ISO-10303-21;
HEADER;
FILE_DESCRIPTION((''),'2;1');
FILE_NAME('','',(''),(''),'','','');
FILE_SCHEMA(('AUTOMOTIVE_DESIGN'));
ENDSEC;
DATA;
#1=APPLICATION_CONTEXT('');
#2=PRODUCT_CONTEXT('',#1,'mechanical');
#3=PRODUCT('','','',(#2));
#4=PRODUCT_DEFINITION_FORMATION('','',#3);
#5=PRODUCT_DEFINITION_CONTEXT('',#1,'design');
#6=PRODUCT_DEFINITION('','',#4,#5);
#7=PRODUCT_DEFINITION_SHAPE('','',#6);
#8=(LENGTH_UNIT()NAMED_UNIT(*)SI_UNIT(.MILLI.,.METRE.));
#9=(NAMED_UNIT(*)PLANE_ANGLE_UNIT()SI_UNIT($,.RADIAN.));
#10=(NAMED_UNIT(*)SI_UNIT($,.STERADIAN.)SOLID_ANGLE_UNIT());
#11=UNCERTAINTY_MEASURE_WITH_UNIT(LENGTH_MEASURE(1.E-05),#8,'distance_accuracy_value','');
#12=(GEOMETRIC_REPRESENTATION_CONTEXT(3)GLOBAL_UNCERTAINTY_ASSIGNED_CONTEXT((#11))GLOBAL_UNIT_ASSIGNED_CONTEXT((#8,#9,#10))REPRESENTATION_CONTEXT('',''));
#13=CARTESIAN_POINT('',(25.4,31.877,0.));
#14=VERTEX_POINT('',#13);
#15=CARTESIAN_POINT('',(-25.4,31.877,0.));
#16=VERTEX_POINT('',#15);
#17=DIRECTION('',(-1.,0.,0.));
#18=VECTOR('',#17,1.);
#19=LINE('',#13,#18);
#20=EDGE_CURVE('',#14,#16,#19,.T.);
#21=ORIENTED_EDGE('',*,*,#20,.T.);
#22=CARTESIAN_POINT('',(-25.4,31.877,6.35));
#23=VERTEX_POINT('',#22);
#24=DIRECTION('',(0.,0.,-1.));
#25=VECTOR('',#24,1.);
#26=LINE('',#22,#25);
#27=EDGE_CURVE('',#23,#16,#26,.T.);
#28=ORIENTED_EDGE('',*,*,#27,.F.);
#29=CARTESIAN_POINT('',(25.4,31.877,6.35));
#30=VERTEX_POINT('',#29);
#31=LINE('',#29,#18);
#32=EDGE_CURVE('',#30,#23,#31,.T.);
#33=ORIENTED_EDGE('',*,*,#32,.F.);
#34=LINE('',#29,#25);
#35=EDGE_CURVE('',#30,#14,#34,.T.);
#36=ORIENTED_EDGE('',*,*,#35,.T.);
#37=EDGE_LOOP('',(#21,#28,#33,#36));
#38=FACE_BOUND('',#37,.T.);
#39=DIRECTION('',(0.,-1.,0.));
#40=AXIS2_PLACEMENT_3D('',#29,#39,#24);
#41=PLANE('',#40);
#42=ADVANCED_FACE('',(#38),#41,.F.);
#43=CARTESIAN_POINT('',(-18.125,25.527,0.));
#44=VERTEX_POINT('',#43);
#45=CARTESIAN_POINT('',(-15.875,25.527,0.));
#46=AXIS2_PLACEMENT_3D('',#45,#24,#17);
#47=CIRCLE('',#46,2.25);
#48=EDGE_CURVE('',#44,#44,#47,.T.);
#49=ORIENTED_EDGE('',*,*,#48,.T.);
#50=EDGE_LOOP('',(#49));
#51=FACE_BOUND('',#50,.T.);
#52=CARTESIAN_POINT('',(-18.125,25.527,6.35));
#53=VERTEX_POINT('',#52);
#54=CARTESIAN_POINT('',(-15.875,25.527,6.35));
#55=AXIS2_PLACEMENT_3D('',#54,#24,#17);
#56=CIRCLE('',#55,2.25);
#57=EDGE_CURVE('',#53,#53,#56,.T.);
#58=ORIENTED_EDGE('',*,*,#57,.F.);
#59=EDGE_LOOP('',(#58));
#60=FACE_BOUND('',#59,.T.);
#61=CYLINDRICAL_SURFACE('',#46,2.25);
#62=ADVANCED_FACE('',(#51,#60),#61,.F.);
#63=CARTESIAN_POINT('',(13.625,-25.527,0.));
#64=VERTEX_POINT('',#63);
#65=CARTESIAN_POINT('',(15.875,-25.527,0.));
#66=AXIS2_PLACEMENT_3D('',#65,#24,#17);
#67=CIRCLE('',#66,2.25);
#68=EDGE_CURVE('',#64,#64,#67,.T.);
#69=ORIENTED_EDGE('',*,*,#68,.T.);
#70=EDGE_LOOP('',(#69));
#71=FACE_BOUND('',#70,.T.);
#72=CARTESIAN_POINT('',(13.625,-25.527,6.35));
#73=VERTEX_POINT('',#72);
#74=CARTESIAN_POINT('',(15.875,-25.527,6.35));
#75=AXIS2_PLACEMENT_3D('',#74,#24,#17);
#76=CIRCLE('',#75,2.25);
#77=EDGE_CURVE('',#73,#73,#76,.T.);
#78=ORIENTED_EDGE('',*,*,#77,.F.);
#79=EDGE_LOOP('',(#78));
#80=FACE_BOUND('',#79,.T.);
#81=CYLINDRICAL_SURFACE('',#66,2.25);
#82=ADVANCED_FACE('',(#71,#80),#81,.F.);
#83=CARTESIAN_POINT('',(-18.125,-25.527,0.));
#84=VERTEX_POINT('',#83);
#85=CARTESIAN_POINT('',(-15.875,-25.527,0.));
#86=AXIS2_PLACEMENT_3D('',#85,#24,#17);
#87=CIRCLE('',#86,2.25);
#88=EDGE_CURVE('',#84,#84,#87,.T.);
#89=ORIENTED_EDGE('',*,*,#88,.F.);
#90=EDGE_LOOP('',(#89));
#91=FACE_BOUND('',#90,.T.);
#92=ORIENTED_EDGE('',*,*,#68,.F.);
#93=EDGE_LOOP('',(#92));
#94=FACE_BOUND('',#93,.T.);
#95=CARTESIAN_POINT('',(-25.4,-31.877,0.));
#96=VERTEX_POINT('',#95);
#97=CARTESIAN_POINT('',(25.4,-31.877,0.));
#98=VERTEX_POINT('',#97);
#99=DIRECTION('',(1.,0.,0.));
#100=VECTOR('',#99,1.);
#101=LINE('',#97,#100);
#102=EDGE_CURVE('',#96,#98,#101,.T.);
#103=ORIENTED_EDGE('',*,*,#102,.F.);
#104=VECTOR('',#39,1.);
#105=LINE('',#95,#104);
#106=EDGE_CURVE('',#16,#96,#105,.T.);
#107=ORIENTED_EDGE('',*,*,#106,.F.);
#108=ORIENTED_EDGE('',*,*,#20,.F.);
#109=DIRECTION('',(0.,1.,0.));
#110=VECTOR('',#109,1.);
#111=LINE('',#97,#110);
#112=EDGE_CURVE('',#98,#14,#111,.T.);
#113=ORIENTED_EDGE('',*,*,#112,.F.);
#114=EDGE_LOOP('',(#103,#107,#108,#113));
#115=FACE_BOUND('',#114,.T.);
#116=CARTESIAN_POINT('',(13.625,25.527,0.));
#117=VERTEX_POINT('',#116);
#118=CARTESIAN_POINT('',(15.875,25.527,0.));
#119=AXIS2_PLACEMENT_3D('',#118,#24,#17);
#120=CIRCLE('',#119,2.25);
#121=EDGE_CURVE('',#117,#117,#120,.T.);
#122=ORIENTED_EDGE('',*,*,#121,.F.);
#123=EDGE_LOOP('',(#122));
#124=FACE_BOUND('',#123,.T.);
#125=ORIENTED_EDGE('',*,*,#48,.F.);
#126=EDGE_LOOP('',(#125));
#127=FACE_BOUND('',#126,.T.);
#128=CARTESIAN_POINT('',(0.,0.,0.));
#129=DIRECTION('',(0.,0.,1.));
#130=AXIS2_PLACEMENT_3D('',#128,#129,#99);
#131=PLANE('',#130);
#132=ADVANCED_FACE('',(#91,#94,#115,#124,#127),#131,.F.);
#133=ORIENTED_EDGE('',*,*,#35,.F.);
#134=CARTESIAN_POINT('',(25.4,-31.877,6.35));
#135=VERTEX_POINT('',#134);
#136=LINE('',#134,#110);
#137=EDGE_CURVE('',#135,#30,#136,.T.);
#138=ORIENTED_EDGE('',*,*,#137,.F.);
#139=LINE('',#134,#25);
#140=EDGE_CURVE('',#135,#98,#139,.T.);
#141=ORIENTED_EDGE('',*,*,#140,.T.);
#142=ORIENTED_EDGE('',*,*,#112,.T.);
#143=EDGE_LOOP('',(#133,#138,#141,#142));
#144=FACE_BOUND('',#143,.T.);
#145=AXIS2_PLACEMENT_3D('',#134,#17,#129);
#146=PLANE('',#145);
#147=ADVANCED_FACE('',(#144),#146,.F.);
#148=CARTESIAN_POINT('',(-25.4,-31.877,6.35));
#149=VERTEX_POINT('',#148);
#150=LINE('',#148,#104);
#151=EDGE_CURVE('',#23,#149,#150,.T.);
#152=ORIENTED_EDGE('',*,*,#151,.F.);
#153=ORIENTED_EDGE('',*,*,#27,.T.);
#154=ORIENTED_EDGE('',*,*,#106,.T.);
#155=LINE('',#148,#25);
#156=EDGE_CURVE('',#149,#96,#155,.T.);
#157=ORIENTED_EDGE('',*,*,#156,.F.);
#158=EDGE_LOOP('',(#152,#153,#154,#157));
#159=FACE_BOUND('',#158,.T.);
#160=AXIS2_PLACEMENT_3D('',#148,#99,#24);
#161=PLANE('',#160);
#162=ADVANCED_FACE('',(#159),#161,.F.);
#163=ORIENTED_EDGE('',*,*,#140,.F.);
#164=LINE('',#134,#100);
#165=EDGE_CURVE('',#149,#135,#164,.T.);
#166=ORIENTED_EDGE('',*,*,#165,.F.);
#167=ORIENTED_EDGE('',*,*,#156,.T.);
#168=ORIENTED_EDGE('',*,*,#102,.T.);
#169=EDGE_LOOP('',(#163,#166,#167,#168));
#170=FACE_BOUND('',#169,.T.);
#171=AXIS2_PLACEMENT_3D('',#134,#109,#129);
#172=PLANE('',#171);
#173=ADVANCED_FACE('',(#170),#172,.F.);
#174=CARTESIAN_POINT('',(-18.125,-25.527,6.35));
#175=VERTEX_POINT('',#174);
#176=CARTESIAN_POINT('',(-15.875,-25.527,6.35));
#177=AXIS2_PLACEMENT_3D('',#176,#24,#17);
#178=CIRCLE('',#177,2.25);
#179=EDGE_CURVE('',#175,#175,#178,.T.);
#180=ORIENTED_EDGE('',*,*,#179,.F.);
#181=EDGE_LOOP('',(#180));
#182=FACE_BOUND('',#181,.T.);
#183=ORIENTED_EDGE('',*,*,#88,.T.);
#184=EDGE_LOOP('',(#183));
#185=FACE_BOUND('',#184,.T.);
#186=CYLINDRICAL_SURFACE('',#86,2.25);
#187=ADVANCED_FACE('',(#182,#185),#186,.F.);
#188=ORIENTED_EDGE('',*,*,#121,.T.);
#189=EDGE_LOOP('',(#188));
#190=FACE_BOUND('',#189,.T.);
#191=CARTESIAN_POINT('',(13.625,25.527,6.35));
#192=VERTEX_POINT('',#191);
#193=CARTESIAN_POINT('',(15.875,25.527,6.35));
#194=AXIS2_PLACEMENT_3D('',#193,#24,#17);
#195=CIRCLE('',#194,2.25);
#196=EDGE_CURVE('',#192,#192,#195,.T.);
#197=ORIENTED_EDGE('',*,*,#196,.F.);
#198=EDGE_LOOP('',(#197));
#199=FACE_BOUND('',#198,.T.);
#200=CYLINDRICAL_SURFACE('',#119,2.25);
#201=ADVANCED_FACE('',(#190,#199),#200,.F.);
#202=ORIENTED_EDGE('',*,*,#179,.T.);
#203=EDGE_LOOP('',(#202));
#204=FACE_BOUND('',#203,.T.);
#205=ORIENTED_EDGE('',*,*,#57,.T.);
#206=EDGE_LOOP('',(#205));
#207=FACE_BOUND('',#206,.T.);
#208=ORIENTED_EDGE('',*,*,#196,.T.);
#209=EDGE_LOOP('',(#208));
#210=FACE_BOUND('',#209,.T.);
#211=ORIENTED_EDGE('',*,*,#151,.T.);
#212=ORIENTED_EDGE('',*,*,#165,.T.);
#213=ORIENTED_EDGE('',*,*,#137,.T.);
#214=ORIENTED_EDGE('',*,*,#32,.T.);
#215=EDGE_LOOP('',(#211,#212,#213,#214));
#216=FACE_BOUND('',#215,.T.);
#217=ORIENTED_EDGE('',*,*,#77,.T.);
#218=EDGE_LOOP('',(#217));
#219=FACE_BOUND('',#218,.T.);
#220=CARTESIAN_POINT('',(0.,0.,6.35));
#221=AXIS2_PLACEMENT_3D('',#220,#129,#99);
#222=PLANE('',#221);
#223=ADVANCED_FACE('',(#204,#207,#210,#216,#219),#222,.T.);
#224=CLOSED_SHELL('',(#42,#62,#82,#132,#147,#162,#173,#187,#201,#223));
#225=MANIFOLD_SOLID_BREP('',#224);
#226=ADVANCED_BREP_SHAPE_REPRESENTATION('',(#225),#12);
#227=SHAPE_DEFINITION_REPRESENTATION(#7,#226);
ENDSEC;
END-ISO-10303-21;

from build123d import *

# Parameters (mm, degrees)
SKETCH1_W            = 50.8
SKETCH1_H            = 63.754
BOSS_EXTRUDE1_DEPTH  = 6.35
M4_CLEARANCE_HOLE1_D = 4.5


with BuildPart() as part:
    # Sketch1 → Boss-Extrude1 (new body)
    with BuildSketch(Plane.XY):
        Rectangle(SKETCH1_W, SKETCH1_H)
    extrude(amount=BOSS_EXTRUDE1_DEPTH)

    # M4 Clearance Hole1 (through all)
    with Locations(Plane(origin=(0, 0, 0), x_dir=(-1, 0, 0), z_dir=(0, 0, -1))):
        with Locations((-15.875, 25.527), (15.875, 25.527), (15.875, -25.527), (-15.875, -25.527)):
            Hole(M4_CLEARANCE_HOLE1_D / 2)


solid = part.part
